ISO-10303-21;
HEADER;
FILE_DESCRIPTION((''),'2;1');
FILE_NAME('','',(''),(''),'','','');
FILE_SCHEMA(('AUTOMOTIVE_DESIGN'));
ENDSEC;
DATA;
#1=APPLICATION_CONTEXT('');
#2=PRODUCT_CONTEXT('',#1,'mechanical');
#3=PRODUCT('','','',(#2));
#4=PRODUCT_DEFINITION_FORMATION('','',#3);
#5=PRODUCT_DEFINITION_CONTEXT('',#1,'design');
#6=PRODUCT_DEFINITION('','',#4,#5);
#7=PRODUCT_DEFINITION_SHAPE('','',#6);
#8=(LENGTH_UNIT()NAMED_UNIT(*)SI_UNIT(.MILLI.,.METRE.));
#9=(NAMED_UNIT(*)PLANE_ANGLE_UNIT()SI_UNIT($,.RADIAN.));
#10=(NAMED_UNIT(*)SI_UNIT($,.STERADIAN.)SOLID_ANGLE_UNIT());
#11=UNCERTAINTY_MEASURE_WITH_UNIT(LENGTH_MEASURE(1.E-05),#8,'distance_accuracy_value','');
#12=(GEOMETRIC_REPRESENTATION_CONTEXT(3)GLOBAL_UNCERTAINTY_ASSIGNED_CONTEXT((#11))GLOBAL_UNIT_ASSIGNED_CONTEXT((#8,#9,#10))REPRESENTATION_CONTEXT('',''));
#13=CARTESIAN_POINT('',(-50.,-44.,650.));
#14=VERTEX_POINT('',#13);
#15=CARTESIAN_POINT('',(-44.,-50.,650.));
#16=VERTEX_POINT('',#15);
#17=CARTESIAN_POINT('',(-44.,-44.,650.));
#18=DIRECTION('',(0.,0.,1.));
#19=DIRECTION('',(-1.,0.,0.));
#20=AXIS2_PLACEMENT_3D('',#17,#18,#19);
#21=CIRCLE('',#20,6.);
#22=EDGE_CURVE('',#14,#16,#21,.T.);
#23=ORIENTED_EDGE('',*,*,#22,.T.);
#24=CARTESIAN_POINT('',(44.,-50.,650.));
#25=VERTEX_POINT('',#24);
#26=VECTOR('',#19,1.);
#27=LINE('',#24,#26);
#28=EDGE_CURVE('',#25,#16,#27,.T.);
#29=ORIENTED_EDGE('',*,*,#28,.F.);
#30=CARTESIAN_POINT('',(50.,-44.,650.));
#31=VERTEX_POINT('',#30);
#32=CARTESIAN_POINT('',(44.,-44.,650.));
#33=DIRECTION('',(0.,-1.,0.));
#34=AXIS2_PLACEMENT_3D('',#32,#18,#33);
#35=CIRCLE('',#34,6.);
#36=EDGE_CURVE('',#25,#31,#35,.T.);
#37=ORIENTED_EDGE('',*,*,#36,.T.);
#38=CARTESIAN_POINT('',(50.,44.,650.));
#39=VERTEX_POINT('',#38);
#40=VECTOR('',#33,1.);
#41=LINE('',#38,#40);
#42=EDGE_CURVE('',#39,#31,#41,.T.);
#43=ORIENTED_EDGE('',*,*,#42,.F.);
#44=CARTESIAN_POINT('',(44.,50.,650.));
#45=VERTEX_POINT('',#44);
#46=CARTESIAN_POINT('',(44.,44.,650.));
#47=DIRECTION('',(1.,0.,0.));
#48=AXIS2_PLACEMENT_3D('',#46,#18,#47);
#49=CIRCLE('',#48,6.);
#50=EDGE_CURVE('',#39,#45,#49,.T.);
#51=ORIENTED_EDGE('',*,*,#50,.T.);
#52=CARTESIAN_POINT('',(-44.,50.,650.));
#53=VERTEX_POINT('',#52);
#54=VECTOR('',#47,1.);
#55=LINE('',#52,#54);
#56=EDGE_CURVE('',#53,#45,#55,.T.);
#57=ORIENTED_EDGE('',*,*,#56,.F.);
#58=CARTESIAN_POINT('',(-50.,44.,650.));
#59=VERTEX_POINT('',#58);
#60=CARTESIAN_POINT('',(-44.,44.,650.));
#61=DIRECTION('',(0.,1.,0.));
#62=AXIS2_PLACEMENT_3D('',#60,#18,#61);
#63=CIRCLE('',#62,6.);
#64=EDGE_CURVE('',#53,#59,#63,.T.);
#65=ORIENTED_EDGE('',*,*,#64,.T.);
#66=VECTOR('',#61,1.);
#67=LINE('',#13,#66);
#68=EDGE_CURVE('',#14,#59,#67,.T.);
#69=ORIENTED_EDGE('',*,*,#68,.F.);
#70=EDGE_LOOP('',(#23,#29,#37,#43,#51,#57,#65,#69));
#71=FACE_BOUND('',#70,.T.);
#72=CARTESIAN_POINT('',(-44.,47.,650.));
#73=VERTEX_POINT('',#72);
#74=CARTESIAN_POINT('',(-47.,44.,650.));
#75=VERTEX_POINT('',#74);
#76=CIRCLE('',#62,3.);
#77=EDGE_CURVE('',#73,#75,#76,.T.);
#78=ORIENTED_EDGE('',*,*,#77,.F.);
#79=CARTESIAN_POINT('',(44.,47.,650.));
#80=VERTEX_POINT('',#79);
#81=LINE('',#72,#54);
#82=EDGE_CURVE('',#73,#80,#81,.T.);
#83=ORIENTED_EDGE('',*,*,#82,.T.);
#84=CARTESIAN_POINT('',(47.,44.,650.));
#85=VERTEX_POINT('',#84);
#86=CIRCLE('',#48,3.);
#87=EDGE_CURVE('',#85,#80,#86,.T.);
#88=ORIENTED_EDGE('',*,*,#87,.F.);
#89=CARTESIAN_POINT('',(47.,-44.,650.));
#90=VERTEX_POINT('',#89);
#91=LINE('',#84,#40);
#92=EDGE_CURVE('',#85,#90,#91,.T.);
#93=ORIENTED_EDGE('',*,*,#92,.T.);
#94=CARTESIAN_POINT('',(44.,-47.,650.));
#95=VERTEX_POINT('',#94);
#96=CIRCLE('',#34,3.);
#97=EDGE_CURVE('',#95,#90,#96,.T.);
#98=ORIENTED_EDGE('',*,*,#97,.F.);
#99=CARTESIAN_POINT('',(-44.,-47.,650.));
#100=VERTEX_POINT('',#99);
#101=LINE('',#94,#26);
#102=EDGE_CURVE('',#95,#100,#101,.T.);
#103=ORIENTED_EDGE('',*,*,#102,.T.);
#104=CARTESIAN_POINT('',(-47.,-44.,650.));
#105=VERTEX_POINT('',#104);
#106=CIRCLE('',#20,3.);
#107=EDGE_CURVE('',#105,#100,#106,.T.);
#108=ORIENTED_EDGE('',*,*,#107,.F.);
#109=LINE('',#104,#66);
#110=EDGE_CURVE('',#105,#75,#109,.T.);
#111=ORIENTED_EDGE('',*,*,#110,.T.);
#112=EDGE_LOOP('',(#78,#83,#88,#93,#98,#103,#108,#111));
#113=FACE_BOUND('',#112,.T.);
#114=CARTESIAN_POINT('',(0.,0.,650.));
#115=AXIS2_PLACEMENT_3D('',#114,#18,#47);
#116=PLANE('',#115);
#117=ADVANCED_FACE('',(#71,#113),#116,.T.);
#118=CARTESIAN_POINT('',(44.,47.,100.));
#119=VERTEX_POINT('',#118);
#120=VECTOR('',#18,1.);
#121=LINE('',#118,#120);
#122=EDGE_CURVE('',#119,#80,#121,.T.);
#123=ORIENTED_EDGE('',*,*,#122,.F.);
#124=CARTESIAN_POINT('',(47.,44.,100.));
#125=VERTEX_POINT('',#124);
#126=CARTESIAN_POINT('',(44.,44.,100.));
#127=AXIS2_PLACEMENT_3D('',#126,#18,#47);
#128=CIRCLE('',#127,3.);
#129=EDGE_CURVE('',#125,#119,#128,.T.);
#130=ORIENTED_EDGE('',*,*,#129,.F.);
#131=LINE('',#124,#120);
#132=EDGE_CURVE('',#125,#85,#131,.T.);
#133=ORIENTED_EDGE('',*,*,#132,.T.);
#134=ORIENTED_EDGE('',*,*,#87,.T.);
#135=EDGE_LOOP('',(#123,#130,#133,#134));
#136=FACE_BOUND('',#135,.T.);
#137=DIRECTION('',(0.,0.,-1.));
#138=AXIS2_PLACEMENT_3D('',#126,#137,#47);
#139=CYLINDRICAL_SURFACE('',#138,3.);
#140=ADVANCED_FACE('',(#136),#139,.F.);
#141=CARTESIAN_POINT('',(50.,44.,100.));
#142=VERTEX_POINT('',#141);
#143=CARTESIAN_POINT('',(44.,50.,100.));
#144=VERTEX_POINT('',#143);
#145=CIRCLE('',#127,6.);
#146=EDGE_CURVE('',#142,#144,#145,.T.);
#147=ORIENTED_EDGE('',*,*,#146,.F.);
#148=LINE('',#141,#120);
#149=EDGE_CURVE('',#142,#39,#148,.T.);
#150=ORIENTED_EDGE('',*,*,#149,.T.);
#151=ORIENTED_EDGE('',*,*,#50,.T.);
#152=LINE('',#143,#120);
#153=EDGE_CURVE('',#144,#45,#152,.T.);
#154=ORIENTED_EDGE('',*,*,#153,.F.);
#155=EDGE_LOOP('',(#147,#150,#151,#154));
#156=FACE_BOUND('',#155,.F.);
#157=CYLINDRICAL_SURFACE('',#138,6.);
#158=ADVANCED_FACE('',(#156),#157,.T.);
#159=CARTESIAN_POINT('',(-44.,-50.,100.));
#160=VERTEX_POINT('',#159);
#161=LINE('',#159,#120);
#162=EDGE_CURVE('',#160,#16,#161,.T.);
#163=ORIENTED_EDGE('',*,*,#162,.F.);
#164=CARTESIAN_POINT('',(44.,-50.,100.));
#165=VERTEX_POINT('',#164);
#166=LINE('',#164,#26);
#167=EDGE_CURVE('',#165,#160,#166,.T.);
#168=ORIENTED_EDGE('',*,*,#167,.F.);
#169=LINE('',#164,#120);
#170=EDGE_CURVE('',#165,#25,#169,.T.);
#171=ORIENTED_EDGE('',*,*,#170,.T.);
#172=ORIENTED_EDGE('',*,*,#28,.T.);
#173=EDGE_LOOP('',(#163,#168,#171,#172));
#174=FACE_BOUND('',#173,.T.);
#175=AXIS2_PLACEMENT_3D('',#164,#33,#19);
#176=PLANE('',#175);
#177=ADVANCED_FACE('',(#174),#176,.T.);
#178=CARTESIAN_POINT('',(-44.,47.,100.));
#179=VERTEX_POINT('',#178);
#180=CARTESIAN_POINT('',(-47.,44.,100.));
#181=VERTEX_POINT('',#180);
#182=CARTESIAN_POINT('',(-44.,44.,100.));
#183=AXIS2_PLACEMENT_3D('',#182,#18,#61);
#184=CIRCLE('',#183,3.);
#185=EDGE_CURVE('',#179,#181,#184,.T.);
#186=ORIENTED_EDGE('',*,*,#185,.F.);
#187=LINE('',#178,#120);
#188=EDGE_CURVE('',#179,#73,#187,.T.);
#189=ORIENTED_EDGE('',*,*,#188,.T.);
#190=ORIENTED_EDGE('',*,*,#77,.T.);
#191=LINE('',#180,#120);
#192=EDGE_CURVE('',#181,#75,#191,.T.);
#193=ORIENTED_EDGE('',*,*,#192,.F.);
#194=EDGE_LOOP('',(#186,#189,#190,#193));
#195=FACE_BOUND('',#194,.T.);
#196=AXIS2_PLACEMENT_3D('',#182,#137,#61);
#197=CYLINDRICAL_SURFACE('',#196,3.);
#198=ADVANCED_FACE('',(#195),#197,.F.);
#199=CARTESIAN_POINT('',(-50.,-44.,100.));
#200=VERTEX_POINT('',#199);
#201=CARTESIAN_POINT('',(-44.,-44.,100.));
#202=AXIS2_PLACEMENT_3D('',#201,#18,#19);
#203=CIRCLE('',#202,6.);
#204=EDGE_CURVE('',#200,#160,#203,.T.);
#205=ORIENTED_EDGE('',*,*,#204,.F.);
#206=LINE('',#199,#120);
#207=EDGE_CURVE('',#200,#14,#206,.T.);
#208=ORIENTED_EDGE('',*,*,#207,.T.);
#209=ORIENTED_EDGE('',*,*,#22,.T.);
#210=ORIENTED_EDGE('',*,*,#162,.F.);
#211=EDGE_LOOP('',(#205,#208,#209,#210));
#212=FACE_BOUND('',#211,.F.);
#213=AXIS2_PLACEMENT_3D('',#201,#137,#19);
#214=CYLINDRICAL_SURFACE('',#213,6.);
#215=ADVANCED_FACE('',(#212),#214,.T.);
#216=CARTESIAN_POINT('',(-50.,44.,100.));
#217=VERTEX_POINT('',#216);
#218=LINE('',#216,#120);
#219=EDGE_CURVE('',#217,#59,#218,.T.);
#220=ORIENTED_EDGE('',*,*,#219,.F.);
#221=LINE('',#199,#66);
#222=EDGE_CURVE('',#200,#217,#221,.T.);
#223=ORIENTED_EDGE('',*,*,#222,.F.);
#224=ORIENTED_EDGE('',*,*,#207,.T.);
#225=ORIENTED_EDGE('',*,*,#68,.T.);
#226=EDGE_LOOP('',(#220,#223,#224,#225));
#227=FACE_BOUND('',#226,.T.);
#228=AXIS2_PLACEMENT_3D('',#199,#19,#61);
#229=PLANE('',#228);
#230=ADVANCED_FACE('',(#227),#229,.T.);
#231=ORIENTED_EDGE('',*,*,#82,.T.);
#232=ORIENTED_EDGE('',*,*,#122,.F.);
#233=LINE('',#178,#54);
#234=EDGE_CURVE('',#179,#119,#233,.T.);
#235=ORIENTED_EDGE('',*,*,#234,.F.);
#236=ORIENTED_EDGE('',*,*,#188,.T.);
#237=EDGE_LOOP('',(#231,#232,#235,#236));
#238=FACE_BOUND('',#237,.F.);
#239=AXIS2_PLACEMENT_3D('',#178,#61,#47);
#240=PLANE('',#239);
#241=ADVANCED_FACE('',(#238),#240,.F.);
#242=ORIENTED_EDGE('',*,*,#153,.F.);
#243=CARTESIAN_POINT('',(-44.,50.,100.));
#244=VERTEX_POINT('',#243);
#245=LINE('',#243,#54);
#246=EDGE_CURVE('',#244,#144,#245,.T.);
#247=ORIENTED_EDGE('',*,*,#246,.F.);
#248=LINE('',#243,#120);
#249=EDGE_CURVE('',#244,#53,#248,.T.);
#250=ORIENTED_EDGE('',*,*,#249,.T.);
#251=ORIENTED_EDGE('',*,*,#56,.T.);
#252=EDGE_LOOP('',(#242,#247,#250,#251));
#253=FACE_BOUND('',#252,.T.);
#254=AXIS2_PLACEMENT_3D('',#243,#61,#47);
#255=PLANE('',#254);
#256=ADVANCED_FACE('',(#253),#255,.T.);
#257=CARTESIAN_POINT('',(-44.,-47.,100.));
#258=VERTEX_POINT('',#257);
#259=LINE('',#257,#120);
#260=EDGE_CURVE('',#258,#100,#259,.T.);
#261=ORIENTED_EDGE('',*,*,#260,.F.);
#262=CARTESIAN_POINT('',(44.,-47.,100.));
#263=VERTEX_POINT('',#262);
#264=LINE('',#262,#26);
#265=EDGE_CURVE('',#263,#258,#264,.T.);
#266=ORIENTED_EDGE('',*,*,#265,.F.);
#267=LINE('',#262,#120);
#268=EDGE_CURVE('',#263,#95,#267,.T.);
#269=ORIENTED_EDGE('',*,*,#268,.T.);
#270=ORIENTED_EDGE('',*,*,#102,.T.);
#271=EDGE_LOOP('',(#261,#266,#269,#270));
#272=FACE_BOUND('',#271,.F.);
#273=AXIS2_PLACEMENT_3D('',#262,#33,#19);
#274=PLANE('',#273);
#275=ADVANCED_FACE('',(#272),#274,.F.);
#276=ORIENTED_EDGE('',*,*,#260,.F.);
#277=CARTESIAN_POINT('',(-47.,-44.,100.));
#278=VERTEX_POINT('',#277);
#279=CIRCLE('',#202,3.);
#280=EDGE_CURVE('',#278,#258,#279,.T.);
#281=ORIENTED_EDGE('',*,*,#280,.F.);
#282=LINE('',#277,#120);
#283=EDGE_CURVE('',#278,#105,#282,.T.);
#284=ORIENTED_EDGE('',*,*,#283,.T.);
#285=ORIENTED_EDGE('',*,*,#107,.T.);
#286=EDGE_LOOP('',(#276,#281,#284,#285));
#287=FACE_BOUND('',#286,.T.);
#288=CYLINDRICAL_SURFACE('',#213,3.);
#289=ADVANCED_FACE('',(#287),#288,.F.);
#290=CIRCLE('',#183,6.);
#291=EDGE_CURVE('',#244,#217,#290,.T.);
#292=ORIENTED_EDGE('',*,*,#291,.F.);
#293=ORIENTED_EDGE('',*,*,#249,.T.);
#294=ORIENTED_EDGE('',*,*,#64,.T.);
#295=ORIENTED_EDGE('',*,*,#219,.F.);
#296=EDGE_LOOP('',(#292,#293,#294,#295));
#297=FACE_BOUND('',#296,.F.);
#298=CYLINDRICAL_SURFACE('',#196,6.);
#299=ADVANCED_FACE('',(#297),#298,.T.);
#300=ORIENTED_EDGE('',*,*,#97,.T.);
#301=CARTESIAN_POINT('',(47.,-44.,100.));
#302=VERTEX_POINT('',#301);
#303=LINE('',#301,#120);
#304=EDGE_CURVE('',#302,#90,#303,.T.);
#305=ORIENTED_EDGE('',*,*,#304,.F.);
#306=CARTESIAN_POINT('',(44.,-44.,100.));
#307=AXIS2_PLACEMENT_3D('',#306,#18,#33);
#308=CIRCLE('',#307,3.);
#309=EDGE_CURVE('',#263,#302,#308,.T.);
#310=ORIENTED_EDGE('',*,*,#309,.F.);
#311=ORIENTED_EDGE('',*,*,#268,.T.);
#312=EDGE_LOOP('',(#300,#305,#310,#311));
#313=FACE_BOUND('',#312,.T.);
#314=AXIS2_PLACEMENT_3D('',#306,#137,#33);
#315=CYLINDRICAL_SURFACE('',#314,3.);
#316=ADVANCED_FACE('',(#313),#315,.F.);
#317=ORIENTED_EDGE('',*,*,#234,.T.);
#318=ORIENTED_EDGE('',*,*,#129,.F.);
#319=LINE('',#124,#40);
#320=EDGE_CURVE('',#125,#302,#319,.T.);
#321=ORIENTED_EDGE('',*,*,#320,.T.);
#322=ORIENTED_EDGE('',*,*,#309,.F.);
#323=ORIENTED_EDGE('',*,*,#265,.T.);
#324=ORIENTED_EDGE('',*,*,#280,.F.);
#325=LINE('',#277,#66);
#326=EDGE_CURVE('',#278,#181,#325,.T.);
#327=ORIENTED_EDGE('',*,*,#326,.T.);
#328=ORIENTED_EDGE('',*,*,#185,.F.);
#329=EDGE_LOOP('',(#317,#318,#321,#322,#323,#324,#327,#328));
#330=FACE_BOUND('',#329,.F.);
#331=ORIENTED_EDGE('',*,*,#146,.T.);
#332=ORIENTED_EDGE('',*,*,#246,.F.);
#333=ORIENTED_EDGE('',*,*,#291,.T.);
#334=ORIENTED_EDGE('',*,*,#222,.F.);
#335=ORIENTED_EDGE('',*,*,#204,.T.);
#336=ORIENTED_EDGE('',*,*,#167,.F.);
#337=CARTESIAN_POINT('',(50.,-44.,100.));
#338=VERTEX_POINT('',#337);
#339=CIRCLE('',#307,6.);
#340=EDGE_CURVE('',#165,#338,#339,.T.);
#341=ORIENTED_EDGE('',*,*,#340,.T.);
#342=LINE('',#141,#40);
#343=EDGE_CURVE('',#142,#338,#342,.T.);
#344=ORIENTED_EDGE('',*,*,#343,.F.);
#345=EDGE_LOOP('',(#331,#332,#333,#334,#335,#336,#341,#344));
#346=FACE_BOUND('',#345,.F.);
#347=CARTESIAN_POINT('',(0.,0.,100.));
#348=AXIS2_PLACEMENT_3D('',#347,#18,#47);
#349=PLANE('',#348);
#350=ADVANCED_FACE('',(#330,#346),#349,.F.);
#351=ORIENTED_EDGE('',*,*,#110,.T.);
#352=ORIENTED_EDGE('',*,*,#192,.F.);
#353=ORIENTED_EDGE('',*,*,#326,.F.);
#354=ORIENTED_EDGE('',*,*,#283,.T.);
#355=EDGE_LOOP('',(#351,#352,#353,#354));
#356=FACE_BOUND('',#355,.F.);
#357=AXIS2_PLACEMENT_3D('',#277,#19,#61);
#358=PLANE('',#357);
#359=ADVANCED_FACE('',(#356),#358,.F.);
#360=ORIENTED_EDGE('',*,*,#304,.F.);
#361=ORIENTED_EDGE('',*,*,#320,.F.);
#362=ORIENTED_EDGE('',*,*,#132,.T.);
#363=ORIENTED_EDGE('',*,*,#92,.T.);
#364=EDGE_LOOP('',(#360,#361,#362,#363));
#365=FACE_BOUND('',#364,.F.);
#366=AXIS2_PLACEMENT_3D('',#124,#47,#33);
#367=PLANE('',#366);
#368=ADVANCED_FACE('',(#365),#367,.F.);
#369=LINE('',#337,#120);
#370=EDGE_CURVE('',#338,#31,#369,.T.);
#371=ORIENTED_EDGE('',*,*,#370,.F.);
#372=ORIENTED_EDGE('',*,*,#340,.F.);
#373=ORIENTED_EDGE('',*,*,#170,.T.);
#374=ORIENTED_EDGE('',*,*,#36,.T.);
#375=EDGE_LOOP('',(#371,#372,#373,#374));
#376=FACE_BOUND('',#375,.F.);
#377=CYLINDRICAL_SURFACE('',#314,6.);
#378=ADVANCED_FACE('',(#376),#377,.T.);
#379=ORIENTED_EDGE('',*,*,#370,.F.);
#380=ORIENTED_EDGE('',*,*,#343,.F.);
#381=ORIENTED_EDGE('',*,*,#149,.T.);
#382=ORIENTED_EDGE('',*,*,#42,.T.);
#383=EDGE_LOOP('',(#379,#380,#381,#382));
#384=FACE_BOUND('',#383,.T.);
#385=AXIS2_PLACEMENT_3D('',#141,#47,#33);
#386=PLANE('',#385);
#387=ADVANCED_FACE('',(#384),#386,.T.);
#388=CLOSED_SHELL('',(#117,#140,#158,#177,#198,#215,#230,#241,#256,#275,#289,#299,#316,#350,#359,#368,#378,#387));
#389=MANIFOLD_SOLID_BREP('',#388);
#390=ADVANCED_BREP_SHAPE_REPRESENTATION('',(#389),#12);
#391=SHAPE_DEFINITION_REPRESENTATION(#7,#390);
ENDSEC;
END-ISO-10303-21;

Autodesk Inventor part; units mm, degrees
ref_plane "YZ Plane" through (0, 0, 0) normal (1, 0, 0) x (0, 1, 0)
ref_plane "Start plane" through (0, 0, 100) normal (0, 0, 1) x (1, 0, 0)
ref_plane "End plane" through (0, 0, 650) normal (0, 0, 1) x (1, 0, 0)
sketch "Sketch" plane through (0, 0, 0) normal (0, 0, 1) x (1, 0, 0)
  line L0 (-50, -44) -> (-50, 44)
  line L1 (-44, 50) -> (44, 50)
  line L2 (50, 44) -> (50, -44)
  line L3 (44, -50) -> (-44, -50)
  arc A0 (-50, -44) -> (-44, -50) centre (-44, -44) ccw
  arc A1 (50, 44) -> (44, 50) centre (44, 44) ccw
  arc A2 (-44, 50) -> (-50, 44) centre (-44, 44) ccw
  arc A3 (44, -50) -> (50, -44) centre (44, -44) ccw
  arc A4 (-44, 47) -> (-47, 44) centre (-44, 44) ccw
  line L4 (-44, 47) -> (44, 47)
  arc A5 (47, 44) -> (44, 47) centre (44, 44) ccw
  line L5 (47, 44) -> (47, -44)
  arc A6 (44, -47) -> (47, -44) centre (44, -44) ccw
  line L6 (44, -47) -> (-44, -47)
  arc A7 (-47, -44) -> (-44, -47) centre (-44, -44) ccw
  line L7 (-47, -44) -> (-47, 44)
  line L8 (0, 72.3196) -> (0, -72.3196) construction
  line L9 (-72.3196, 0) -> (72.3196, 0) construction
  dimension "d7" = 6
  dimension "d9" = 100
  dimension "d11" = 100
  dimension "d12" = 3
  dimension "d15" = 50
  dimension "d16" = 50
extrude "Body" add sketch "Sketch" along normal up to surface (550 mm away) from surface at 100
sketch "Sketch3" plane through (0, 0, 0) normal (0, 0, 1) x (1, 0, 0)
  line L0 (0, 0) -> (10, 0)
ref_plane "Work Plane3" through (0, 0, 0) normal (0, -1, 0) x (1, 0, 0)
sketch "Sketch4" plane through (0, 0, 0) normal (0, -1, 0) x (1, 0, 0)
  line L0 (-2, 100) -> (12, 100) projected
  line L1 (-2, 650) -> (12, 650) projected
  dimension "d18" = 550
equation "\"d7\" = G_IR"
equation "\"d9\" = G_W"
equation "\"d11\" = G_H"
equation "\"d12\" = G_T"
equation "\"d15\" = 0.5 * d9"
equation "\"d16\" = 0.5 * d11"
equation "\"d3\" = G_L"
equation "\"G_W\" = 100"
equation "\"G_H\" = 100"
equation "\"G_T\" = 3"
equation "\"G_IR\" = 6"
equation "\"G_L\" = d18"
properties part number "ISO 10799-2 - 100x100x3 - 550" material "Steel, Mild"
